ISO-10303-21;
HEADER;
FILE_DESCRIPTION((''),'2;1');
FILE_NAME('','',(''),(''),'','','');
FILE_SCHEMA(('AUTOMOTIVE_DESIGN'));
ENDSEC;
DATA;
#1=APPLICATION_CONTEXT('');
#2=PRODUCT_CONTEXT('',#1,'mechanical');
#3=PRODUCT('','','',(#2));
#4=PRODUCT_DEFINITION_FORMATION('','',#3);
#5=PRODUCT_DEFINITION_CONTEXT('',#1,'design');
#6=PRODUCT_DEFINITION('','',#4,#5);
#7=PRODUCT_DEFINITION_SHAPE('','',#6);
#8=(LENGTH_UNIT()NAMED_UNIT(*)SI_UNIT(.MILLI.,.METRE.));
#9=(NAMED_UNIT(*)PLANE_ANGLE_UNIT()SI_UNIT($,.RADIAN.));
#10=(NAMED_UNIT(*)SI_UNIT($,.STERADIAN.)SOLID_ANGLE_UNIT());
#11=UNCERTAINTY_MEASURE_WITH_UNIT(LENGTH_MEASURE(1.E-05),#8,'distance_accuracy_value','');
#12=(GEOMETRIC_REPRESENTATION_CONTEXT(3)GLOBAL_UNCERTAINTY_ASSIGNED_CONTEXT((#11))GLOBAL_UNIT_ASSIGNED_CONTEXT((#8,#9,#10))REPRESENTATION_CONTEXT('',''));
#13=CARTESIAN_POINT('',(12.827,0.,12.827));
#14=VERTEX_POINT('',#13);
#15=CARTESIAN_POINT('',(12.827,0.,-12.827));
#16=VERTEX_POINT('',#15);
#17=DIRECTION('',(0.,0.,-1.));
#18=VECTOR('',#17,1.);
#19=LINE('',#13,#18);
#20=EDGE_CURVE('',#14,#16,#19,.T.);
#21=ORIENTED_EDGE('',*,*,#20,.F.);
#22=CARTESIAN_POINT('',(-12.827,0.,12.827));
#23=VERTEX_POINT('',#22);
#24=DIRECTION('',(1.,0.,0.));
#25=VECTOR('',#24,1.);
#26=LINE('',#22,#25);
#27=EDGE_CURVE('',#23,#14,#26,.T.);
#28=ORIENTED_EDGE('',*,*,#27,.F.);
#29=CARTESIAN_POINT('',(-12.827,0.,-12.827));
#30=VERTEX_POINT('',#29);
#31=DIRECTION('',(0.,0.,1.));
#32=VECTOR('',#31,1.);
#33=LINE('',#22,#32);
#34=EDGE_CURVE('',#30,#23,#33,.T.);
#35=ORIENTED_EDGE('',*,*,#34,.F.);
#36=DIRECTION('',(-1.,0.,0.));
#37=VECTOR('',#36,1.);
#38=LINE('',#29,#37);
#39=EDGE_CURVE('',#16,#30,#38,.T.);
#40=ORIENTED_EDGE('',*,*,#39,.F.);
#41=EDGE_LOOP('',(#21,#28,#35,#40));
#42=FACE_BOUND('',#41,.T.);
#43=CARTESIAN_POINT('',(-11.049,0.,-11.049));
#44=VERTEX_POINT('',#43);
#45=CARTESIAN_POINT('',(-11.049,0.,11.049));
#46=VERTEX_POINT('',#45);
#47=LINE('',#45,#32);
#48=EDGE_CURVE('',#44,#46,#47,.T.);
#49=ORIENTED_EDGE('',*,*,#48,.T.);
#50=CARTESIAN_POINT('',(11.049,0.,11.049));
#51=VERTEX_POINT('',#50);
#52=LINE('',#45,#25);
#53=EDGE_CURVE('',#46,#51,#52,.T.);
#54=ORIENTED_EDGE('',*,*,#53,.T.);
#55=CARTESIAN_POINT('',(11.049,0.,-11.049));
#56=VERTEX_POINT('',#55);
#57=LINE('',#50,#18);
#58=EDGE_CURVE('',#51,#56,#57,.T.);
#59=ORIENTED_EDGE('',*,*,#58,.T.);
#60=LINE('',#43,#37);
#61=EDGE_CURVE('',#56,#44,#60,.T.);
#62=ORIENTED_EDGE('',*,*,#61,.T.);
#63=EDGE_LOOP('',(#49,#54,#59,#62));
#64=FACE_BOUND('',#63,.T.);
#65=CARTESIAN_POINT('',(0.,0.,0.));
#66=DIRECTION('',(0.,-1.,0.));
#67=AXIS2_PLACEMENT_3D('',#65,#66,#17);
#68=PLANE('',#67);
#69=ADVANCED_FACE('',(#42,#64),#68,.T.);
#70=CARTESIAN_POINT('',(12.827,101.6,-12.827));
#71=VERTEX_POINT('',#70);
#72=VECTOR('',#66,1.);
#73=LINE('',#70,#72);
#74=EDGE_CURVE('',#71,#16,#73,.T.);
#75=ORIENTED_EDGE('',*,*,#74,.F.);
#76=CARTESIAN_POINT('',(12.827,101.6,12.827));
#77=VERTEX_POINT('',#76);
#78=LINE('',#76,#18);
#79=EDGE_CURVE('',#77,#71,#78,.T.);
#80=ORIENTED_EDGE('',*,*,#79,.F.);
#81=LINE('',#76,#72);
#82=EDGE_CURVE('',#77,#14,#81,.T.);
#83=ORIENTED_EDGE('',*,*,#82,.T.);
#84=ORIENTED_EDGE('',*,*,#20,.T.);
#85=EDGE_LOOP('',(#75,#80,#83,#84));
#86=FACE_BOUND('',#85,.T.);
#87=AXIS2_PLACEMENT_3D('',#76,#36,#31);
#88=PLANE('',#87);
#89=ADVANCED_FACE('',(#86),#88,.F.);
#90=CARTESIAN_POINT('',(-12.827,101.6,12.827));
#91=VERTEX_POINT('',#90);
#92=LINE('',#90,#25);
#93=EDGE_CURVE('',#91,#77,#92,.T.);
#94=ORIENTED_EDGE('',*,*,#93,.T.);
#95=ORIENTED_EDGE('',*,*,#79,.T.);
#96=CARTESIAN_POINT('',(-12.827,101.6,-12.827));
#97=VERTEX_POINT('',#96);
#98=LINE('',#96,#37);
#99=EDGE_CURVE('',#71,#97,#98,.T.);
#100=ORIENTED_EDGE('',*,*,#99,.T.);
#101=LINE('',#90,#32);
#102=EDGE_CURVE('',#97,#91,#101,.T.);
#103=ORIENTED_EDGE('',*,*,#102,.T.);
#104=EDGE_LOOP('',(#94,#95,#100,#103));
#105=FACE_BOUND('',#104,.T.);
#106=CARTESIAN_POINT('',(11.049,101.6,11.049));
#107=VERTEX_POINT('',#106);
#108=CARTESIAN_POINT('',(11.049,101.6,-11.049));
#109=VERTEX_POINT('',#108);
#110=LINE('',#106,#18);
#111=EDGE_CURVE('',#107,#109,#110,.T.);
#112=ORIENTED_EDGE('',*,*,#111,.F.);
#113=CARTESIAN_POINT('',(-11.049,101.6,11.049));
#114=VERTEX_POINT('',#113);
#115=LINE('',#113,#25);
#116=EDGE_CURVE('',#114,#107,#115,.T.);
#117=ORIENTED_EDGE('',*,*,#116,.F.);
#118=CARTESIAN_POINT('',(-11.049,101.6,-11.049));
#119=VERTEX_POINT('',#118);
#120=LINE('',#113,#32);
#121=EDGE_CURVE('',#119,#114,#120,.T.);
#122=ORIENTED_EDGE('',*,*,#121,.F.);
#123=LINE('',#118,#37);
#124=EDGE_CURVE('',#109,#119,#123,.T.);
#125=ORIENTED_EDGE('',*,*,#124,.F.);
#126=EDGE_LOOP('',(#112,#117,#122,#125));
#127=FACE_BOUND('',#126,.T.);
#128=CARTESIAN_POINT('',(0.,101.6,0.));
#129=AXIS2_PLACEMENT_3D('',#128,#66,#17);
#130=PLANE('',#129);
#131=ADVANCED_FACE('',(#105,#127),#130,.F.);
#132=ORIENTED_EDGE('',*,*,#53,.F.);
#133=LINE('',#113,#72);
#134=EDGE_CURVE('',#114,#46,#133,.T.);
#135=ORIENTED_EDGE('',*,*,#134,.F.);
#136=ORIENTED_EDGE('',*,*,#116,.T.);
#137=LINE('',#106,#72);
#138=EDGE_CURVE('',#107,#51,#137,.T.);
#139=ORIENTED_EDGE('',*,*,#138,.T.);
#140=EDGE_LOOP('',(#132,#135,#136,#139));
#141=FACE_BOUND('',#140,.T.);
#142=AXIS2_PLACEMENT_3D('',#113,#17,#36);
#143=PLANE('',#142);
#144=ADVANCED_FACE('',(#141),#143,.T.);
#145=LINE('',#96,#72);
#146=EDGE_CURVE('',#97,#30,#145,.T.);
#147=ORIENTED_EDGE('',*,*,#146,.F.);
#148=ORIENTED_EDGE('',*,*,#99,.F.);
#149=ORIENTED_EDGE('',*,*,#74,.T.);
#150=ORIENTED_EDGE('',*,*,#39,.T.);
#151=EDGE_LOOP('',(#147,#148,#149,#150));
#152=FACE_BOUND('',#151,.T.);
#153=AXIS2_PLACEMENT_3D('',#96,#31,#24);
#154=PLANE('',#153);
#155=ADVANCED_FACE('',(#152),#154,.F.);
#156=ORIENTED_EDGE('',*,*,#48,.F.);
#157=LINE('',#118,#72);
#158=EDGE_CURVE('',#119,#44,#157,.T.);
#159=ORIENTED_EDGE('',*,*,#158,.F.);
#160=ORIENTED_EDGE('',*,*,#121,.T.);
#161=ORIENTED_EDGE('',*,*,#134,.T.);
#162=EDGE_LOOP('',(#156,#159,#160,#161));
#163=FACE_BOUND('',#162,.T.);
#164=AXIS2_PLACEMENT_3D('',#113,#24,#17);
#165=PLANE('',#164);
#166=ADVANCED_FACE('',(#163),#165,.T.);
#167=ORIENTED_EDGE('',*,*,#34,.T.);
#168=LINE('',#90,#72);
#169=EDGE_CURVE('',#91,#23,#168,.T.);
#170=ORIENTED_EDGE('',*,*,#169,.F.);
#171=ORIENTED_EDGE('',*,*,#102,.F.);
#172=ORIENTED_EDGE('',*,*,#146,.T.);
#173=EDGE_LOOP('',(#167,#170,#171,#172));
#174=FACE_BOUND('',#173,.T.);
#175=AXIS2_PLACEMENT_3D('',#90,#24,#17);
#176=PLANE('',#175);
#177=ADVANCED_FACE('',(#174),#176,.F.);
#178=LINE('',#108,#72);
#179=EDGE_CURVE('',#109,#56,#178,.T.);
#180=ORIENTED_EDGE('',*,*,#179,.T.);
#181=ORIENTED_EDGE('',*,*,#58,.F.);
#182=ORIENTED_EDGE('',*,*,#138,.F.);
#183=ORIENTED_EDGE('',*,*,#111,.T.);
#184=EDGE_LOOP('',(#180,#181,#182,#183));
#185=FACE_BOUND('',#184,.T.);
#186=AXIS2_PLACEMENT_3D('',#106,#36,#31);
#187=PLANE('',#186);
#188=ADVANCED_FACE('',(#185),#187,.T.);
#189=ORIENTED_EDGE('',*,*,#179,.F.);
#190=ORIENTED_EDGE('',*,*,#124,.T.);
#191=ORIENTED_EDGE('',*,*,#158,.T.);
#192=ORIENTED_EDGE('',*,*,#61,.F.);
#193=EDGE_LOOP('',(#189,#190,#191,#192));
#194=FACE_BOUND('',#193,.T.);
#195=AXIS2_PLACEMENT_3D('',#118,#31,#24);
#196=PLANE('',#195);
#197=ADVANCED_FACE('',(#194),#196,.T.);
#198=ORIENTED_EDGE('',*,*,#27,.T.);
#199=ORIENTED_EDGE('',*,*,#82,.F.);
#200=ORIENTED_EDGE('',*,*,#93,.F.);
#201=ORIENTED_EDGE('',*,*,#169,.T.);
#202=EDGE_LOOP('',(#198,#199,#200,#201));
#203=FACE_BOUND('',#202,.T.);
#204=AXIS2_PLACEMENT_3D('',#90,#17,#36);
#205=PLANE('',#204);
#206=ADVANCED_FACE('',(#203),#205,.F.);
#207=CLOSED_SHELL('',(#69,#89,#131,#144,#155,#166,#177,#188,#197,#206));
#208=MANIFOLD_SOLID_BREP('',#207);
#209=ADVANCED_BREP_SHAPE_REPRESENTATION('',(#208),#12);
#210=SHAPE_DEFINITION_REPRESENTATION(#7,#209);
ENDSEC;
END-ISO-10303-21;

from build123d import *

# Parameters (mm, degrees)
SKETCH1_W           = 25.654
SKETCH1_H           = 25.654
SKETCH1_W_2         = 22.098
SKETCH1_H_2         = 22.098
BOSS_EXTRUDE1_DEPTH = 101.6


with BuildPart() as part:
    # Sketch1 → Boss-Extrude1 (new body)
    with BuildSketch(Plane(origin=(0, 0, 0), x_dir=(1, 0, 0), z_dir=(0, 1, 0))):
        Rectangle(SKETCH1_W, SKETCH1_H)
        Rectangle(SKETCH1_W_2, SKETCH1_H_2, mode=Mode.SUBTRACT)
    extrude(amount=BOSS_EXTRUDE1_DEPTH)


solid = part.part
